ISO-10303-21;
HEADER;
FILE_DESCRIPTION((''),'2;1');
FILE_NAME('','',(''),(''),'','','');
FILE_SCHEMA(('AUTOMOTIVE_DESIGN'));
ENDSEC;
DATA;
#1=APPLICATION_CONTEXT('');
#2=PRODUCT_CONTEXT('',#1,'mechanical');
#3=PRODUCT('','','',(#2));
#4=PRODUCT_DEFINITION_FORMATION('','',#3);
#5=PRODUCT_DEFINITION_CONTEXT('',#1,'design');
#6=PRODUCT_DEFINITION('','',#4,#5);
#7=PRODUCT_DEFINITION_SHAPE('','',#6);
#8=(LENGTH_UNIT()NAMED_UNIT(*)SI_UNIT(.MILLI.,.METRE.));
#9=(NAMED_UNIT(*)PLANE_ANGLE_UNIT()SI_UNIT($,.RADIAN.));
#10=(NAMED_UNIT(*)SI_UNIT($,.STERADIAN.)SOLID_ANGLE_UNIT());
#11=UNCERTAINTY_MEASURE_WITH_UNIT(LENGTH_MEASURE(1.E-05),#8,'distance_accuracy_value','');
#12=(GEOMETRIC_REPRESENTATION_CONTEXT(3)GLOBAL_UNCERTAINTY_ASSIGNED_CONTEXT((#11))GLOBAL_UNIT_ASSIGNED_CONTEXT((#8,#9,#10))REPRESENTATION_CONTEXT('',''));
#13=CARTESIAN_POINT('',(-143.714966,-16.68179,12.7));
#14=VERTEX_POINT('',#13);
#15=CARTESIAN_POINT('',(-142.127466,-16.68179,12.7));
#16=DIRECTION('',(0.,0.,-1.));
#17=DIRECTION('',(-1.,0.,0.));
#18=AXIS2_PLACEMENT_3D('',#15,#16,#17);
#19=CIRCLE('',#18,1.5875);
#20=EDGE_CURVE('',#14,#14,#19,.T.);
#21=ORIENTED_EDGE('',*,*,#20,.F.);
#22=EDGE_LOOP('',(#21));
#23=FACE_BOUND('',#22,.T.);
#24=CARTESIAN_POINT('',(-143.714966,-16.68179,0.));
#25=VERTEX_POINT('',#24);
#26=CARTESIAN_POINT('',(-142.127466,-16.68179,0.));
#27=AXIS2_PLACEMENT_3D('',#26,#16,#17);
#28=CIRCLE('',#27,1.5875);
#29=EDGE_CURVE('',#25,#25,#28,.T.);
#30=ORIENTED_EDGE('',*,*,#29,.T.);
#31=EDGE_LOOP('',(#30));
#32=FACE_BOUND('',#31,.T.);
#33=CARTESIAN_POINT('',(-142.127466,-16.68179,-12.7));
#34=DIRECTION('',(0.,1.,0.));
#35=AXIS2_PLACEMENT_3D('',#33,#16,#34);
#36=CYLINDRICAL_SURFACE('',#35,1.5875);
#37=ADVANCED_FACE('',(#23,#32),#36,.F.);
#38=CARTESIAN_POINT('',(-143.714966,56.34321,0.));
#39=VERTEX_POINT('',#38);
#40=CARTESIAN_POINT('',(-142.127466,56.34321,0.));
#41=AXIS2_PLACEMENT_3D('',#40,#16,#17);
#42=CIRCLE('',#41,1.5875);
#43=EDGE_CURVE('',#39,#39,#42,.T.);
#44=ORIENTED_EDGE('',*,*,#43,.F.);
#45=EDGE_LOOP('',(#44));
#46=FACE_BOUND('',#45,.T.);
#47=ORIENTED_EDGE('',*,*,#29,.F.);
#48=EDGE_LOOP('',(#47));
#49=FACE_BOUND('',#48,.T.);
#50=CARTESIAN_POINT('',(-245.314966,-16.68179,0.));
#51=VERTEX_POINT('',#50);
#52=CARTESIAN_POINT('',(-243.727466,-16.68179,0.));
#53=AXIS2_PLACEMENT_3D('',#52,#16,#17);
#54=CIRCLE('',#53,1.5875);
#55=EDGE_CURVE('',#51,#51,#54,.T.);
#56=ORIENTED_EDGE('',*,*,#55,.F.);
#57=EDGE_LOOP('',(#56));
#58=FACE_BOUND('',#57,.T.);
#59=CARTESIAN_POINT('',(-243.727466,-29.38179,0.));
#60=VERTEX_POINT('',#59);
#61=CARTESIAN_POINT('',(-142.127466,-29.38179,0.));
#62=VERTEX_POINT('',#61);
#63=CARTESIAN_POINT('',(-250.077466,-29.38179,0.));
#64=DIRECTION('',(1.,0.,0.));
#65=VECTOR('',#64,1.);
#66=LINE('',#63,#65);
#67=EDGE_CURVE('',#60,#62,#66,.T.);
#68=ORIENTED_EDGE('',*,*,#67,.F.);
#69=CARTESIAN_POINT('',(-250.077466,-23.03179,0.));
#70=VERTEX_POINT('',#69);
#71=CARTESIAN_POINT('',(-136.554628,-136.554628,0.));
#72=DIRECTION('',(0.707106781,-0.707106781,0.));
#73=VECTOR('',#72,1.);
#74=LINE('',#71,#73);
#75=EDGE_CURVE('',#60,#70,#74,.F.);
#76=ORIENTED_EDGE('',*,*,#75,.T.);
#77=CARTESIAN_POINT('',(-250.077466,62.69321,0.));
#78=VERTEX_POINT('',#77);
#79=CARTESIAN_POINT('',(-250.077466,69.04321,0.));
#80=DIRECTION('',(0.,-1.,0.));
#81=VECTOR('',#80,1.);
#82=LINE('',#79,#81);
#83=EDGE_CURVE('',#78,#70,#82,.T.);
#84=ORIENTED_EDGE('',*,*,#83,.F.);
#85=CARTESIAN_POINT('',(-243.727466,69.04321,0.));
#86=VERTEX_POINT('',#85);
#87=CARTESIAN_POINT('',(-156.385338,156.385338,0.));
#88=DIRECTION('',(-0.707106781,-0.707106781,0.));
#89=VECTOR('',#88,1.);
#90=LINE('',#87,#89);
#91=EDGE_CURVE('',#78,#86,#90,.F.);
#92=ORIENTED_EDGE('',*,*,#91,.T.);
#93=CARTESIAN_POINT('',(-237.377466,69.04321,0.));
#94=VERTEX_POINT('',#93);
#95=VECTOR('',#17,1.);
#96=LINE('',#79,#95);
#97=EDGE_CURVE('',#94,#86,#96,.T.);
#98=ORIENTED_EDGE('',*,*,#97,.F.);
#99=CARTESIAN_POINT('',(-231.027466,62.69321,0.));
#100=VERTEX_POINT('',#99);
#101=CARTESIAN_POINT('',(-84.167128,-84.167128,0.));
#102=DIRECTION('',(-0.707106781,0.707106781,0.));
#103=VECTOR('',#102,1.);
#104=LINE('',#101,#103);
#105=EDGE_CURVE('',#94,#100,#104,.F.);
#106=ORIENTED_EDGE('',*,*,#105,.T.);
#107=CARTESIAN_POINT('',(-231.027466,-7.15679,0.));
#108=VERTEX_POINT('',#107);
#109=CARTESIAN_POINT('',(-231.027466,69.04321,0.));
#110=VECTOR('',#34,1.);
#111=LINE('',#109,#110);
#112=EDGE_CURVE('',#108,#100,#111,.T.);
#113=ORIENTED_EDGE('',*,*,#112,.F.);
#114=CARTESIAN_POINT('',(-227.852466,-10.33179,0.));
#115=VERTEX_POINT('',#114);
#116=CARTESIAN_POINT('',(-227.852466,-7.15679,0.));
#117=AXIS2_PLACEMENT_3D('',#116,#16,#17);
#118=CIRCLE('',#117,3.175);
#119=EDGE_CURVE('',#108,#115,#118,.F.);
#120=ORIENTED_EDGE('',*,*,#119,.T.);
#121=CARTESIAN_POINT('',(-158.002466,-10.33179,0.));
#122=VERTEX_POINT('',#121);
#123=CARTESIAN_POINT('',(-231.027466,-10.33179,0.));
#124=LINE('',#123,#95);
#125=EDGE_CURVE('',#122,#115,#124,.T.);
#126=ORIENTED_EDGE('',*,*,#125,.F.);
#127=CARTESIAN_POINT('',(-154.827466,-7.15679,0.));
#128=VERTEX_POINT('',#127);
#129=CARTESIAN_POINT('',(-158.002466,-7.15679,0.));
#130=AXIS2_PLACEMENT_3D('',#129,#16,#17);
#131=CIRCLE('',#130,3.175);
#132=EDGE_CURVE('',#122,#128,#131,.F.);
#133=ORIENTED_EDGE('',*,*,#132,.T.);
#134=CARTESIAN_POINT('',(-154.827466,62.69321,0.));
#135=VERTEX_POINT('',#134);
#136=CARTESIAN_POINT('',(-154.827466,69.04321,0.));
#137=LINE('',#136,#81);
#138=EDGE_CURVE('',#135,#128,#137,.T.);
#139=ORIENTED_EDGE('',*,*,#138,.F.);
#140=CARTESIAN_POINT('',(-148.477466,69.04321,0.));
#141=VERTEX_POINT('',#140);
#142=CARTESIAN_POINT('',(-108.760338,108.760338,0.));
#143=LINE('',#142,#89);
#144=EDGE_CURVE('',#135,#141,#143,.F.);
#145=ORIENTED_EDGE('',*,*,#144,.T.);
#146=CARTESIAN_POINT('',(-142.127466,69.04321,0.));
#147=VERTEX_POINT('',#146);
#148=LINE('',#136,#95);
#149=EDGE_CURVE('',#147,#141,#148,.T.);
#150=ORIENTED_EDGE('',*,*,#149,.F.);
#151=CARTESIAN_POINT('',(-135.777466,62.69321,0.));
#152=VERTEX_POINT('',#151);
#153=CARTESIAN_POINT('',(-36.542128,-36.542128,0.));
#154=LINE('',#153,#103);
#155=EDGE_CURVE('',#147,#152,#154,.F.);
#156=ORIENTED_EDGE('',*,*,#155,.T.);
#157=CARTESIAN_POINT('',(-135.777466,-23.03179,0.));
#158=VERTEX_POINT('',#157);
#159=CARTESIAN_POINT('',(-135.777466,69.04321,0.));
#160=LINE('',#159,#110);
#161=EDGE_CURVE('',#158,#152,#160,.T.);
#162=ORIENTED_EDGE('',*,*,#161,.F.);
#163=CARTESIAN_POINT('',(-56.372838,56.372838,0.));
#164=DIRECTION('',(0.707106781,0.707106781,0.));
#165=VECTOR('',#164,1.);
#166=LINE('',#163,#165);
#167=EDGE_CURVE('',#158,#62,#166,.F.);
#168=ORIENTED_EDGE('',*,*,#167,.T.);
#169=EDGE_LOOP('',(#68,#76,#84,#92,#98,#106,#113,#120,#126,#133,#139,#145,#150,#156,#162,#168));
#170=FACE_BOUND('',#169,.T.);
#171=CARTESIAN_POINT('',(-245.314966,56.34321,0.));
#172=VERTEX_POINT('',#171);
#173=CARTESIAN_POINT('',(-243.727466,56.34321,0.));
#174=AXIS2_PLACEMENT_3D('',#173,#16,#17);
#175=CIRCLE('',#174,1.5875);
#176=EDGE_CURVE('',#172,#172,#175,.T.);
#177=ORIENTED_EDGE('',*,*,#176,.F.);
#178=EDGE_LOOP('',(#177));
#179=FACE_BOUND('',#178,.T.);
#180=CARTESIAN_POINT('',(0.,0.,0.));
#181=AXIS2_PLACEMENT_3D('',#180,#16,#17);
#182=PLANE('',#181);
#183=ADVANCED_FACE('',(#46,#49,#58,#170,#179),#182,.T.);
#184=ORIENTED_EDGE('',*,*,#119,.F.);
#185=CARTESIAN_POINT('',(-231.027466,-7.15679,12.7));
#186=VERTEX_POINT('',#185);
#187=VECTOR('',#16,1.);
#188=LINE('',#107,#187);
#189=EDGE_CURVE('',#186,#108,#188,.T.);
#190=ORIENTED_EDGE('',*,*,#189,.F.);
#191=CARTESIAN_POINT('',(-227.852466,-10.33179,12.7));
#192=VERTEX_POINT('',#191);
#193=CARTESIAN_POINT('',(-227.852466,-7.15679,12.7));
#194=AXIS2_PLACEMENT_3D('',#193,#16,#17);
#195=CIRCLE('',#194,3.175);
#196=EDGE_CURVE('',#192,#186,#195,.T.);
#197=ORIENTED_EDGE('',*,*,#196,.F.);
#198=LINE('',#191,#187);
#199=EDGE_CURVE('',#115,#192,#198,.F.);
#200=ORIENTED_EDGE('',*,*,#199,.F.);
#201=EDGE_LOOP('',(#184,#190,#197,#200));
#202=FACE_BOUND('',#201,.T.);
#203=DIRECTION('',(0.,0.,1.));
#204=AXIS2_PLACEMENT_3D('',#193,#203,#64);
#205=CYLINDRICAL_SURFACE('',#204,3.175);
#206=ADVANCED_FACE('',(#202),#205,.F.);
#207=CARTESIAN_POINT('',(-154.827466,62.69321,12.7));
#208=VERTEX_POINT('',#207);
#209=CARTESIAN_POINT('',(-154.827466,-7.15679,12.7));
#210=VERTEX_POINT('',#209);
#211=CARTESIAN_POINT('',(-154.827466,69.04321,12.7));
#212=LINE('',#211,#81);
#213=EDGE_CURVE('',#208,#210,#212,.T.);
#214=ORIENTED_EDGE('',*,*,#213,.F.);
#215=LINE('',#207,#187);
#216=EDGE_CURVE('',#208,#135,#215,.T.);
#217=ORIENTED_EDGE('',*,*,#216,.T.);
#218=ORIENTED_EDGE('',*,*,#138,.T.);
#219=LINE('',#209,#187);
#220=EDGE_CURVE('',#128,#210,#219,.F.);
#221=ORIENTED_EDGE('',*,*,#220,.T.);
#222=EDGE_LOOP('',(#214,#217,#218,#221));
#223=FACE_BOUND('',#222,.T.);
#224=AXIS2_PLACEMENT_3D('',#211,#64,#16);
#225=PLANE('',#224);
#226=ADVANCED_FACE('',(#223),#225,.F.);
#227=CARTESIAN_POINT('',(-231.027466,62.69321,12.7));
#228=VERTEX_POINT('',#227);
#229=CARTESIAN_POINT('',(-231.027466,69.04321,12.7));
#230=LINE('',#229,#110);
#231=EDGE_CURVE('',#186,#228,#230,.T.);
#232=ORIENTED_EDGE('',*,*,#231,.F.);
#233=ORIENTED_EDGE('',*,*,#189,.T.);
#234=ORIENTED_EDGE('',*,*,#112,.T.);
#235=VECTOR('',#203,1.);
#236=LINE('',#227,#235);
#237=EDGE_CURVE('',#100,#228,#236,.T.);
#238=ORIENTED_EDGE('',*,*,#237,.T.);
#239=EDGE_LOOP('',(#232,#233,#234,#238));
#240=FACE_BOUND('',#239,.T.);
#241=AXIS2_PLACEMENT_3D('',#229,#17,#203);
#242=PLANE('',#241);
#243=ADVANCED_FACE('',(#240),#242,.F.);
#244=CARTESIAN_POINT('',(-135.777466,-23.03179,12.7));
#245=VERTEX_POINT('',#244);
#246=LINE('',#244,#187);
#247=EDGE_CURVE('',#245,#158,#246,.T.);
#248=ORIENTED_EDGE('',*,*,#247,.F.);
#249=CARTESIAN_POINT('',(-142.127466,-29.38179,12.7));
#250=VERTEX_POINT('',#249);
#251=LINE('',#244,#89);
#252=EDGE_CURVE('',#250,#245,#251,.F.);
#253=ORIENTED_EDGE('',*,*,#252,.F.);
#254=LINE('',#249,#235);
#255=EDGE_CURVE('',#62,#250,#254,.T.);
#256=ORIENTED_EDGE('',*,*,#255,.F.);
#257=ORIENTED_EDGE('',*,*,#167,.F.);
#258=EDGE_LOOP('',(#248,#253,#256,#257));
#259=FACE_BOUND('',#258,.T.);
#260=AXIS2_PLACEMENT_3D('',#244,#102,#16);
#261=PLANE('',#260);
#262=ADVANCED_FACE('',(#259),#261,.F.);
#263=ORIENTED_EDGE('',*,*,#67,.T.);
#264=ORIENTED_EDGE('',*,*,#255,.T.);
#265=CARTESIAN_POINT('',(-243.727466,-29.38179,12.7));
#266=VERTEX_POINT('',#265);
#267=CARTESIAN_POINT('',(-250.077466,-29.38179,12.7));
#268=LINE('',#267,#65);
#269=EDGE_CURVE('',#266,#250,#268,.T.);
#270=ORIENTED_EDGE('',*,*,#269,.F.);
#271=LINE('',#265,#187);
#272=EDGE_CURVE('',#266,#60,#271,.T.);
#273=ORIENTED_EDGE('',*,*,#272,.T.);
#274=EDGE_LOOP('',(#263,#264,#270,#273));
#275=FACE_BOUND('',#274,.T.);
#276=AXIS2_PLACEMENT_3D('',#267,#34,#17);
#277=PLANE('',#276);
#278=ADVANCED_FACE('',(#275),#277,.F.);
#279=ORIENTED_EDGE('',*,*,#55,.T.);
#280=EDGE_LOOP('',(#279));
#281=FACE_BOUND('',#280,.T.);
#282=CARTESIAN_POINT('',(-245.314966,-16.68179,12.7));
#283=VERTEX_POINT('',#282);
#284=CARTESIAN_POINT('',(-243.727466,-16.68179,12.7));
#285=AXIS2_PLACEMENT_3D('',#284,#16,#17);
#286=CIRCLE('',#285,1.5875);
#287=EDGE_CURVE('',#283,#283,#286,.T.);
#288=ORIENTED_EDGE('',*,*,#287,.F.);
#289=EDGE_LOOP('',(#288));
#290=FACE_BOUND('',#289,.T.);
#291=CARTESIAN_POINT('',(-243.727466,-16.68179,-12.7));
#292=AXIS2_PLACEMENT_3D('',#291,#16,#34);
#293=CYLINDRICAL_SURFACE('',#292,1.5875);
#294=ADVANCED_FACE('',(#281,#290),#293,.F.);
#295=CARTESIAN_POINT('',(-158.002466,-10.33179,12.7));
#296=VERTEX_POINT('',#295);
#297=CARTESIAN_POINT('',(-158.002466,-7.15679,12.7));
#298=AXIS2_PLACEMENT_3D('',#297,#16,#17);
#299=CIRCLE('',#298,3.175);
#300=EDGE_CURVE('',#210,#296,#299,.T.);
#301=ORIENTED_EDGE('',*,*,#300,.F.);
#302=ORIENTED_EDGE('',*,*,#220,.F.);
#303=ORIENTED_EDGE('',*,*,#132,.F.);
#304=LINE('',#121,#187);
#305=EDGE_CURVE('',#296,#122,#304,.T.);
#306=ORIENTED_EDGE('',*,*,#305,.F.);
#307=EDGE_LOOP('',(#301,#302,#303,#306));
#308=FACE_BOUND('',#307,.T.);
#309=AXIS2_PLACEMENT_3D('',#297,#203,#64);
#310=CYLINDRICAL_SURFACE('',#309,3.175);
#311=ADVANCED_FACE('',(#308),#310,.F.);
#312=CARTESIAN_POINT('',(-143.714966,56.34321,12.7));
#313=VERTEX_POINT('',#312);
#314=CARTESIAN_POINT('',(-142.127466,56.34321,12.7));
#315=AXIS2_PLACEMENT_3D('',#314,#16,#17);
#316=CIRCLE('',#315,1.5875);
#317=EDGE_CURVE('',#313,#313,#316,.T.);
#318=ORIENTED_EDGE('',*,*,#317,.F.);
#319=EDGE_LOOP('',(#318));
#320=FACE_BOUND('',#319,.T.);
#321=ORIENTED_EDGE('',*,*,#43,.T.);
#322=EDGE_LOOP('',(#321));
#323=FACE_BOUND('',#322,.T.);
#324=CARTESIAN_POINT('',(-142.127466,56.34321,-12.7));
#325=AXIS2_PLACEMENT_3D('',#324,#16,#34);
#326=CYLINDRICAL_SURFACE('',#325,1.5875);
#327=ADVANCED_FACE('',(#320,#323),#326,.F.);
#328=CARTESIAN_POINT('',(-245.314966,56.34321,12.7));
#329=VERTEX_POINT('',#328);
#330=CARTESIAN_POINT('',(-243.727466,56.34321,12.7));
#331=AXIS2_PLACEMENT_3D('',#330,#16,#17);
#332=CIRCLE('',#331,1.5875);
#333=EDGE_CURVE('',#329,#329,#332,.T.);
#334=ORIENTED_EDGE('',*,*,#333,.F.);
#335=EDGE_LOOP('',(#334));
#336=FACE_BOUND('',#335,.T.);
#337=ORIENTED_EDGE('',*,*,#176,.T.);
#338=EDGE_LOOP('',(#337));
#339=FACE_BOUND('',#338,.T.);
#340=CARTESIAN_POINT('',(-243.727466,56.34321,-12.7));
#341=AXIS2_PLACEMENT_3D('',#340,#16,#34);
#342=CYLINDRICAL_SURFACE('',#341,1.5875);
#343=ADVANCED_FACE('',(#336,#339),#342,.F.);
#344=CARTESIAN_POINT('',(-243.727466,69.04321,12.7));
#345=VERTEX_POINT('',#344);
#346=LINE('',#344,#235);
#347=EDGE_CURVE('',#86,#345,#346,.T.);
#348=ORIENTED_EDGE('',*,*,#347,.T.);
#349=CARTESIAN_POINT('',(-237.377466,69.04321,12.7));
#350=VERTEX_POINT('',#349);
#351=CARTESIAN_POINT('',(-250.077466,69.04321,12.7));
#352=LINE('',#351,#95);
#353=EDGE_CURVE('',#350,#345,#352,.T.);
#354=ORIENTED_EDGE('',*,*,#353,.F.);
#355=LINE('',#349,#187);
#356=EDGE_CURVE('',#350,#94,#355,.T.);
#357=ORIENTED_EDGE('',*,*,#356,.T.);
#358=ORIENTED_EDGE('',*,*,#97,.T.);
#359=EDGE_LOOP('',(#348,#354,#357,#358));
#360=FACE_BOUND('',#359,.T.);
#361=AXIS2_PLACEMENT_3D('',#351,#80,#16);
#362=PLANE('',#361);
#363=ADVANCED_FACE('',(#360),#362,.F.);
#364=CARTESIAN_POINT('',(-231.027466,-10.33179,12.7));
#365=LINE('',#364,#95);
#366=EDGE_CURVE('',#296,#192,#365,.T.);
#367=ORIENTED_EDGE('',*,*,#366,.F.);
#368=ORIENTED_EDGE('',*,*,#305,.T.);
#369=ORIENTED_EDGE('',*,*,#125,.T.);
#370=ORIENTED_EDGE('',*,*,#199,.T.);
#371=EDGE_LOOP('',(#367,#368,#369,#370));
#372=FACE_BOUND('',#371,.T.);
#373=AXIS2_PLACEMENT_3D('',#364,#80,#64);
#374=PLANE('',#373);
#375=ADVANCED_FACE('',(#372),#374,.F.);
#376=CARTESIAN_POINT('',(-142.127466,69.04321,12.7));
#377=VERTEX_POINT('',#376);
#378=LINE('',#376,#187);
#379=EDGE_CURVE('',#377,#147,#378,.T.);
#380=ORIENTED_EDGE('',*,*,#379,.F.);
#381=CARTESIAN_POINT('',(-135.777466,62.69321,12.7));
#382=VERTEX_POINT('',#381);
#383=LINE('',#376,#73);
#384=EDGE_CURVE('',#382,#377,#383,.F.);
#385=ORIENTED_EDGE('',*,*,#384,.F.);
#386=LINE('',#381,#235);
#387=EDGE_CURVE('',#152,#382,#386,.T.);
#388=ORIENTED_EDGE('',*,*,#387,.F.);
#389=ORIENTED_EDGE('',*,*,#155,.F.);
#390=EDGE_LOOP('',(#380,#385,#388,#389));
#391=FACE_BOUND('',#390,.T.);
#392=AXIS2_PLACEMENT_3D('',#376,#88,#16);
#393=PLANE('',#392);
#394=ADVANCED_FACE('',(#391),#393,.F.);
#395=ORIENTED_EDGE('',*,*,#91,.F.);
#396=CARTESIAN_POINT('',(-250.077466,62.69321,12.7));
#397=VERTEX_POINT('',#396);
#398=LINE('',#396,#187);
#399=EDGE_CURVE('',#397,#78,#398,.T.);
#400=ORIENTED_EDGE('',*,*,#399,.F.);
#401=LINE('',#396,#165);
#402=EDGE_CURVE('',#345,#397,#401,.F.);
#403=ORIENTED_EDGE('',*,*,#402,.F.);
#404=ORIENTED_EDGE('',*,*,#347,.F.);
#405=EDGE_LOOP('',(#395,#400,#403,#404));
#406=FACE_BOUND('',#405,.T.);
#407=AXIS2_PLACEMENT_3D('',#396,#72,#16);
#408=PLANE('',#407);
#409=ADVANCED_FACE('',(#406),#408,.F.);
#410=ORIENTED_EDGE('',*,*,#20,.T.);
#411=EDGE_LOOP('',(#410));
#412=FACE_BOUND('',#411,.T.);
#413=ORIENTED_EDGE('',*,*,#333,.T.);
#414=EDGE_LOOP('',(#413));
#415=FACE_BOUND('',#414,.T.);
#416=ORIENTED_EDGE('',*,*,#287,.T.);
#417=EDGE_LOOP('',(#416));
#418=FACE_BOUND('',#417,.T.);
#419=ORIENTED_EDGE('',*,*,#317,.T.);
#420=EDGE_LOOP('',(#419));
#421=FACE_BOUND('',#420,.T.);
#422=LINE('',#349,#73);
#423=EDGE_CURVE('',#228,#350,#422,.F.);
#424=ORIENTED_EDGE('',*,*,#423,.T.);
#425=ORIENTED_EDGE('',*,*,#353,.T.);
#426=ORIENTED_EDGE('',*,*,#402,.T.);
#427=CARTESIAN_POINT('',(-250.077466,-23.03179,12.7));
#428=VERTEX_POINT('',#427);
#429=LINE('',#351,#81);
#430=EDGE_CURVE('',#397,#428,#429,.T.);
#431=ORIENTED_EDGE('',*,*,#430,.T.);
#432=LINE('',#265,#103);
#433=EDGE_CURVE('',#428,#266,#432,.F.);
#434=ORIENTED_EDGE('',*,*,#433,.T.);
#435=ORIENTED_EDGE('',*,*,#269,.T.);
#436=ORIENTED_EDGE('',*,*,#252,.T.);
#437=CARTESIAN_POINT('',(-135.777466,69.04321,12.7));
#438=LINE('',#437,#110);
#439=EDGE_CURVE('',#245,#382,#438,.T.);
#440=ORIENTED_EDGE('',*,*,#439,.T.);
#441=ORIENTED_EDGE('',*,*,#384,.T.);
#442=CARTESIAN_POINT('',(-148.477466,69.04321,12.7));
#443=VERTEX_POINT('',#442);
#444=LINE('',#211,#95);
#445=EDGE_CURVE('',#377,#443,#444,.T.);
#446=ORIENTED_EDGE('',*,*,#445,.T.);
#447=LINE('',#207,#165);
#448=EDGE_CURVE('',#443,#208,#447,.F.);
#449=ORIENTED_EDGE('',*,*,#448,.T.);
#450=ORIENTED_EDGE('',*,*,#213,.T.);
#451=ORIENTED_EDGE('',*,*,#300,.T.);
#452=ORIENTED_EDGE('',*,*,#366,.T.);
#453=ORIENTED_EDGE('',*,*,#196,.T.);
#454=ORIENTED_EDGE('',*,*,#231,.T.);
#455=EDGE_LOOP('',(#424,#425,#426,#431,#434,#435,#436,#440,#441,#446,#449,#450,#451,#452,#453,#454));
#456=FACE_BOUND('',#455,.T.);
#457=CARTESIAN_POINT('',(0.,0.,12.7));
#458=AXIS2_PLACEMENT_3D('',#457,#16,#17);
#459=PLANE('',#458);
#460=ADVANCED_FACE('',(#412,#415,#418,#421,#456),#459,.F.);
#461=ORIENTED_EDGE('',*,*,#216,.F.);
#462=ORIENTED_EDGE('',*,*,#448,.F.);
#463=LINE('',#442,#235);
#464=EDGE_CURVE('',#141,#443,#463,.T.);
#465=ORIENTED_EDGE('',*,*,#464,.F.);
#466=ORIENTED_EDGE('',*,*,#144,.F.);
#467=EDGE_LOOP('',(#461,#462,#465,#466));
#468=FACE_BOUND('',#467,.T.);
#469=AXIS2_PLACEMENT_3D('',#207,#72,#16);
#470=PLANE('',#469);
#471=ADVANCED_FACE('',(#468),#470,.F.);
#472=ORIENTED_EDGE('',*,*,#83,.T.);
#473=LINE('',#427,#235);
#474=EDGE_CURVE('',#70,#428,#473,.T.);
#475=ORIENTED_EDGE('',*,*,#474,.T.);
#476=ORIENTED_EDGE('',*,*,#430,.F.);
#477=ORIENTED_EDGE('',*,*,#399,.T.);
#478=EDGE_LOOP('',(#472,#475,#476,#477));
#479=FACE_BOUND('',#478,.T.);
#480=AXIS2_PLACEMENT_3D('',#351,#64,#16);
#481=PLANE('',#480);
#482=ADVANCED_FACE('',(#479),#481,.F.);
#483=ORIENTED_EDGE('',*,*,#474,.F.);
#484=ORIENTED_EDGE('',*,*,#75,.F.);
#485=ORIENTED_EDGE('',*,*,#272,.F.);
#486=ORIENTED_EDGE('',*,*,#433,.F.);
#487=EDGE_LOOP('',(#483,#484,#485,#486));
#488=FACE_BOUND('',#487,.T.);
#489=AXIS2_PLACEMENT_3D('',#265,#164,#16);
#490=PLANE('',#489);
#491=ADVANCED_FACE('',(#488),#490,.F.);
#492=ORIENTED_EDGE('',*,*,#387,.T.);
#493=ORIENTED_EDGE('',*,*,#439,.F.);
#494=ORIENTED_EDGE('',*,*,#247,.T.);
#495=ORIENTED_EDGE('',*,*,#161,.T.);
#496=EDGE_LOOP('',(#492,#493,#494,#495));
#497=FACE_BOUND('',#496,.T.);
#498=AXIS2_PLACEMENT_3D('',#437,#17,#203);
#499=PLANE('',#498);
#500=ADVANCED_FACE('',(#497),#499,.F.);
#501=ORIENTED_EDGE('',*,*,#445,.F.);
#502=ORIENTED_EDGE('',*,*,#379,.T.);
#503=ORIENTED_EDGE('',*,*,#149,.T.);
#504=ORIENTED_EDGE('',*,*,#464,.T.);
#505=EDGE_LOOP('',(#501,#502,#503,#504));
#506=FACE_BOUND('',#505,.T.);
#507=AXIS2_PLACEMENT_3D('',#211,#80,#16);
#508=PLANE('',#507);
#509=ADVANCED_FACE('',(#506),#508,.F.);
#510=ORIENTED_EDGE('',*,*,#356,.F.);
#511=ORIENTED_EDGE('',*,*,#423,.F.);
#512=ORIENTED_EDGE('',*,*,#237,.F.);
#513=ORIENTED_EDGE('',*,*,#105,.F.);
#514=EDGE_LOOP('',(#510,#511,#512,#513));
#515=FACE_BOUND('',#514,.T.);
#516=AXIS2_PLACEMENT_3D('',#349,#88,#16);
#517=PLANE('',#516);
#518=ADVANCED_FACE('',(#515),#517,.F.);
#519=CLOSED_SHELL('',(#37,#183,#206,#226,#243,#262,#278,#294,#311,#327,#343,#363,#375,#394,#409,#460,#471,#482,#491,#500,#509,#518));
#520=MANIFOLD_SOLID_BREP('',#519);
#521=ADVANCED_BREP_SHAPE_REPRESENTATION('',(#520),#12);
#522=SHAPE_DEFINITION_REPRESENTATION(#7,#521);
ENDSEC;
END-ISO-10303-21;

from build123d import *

# Parameters (mm, degrees)
BOSS_EXTRUDE1_DEPTH = 12.7
FILLET1_R           = 3.175
CHAMFER1_SIZE       = 6.35
HOLE1_D             = 3.175
HOLE1_DEPTH         = 31.75
HOLE1_CSINK_D       = 10.16
HOLE1_CSINK_ANGLE   = 82
HOLE1_TIP           = 0.953866233


with BuildPart() as part:
    # Sketch1 → Boss-Extrude1 (new body)
    with BuildSketch(Plane.XY):
        Polygon((-231.027465963, 69.04320968), (-231.027465963, -10.33179032), (-154.827465963, -10.33179032), (-154.827465963, 69.04320968), (-135.777465963, 69.04320968), (-135.777465963, -29.38179032), (-250.077465963, -29.38179032), (-250.077465963, 69.04320968), align=None)
    extrude(amount=BOSS_EXTRUDE1_DEPTH)

    # Fillet1
    fillet1_edges = [part.edges().sort_by_distance(p)[0] for p in [
        (-231.027465963, -10.33179032, 6.35),
        (-154.827465963, -10.33179032, 6.35),
    ]]
    fillet(fillet1_edges, radius=FILLET1_R)

    # Chamfer1
    chamfer1_edges = [part.edges().sort_by_distance(p)[0] for p in [
        (-231.027465963, 69.04320968, 6.35),
        (-154.827465963, 69.04320968, 6.35),
        (-135.777465963, 69.04320968, 6.35),
        (-135.777465963, -29.38179032, 6.35),
        (-250.077465963, -29.38179032, 6.35),
        (-250.077465963, 69.04320968, 6.35),
    ]]
    chamfer(chamfer1_edges, length=CHAMFER1_SIZE)

    # Hole1
    with Locations(Plane(origin=(-124.004465969, -215.287141225, -12.7), x_dir=(-1, 0, 0), z_dir=(0, 0, -1))):
        with Locations((113.649999994, 128.807623392), (113.649999994, 23.940956725), (-94.599999994, 161.374290059), (94.599999994, 161.374290059), (0, 161.374290059), (0, 193.124290059), (0, 440.553783621), (0, 301.970350905), (40.979166666, 301.970350905), (166.795833328, 301.970350905), (207.774999994, 440.553783621), (207.774999994, 333.02141023), (207.774999994, 225.48903684), (207.774999994, 137.424290059), (207.774999994, 10.424290059), (-207.774999994, 10.424290059), (-207.774999994, 137.424290059), (-207.774999994, 225.48903684), (-207.774999994, 333.02141023), (-207.774999994, 440.553783621), (-166.795833328, 301.970350905), (-40.979166666, 301.970350905), (-113.649999994, 23.940956725), (-113.649999994, 128.807623392), (119.722999994, 198.605350905), (119.722999994, 271.630350905), (18.122999994, 198.605350905), (18.122999994, 271.630350905)):
            CounterSinkHole(HOLE1_D / 2, HOLE1_CSINK_D / 2, depth=HOLE1_DEPTH, counter_sink_angle=HOLE1_CSINK_ANGLE)
            with Locations((0, 0, -(HOLE1_DEPTH + HOLE1_TIP / 2))):  # 118° drill point
                Cone(0, HOLE1_D / 2, HOLE1_TIP, mode=Mode.SUBTRACT)


solid = part.part
